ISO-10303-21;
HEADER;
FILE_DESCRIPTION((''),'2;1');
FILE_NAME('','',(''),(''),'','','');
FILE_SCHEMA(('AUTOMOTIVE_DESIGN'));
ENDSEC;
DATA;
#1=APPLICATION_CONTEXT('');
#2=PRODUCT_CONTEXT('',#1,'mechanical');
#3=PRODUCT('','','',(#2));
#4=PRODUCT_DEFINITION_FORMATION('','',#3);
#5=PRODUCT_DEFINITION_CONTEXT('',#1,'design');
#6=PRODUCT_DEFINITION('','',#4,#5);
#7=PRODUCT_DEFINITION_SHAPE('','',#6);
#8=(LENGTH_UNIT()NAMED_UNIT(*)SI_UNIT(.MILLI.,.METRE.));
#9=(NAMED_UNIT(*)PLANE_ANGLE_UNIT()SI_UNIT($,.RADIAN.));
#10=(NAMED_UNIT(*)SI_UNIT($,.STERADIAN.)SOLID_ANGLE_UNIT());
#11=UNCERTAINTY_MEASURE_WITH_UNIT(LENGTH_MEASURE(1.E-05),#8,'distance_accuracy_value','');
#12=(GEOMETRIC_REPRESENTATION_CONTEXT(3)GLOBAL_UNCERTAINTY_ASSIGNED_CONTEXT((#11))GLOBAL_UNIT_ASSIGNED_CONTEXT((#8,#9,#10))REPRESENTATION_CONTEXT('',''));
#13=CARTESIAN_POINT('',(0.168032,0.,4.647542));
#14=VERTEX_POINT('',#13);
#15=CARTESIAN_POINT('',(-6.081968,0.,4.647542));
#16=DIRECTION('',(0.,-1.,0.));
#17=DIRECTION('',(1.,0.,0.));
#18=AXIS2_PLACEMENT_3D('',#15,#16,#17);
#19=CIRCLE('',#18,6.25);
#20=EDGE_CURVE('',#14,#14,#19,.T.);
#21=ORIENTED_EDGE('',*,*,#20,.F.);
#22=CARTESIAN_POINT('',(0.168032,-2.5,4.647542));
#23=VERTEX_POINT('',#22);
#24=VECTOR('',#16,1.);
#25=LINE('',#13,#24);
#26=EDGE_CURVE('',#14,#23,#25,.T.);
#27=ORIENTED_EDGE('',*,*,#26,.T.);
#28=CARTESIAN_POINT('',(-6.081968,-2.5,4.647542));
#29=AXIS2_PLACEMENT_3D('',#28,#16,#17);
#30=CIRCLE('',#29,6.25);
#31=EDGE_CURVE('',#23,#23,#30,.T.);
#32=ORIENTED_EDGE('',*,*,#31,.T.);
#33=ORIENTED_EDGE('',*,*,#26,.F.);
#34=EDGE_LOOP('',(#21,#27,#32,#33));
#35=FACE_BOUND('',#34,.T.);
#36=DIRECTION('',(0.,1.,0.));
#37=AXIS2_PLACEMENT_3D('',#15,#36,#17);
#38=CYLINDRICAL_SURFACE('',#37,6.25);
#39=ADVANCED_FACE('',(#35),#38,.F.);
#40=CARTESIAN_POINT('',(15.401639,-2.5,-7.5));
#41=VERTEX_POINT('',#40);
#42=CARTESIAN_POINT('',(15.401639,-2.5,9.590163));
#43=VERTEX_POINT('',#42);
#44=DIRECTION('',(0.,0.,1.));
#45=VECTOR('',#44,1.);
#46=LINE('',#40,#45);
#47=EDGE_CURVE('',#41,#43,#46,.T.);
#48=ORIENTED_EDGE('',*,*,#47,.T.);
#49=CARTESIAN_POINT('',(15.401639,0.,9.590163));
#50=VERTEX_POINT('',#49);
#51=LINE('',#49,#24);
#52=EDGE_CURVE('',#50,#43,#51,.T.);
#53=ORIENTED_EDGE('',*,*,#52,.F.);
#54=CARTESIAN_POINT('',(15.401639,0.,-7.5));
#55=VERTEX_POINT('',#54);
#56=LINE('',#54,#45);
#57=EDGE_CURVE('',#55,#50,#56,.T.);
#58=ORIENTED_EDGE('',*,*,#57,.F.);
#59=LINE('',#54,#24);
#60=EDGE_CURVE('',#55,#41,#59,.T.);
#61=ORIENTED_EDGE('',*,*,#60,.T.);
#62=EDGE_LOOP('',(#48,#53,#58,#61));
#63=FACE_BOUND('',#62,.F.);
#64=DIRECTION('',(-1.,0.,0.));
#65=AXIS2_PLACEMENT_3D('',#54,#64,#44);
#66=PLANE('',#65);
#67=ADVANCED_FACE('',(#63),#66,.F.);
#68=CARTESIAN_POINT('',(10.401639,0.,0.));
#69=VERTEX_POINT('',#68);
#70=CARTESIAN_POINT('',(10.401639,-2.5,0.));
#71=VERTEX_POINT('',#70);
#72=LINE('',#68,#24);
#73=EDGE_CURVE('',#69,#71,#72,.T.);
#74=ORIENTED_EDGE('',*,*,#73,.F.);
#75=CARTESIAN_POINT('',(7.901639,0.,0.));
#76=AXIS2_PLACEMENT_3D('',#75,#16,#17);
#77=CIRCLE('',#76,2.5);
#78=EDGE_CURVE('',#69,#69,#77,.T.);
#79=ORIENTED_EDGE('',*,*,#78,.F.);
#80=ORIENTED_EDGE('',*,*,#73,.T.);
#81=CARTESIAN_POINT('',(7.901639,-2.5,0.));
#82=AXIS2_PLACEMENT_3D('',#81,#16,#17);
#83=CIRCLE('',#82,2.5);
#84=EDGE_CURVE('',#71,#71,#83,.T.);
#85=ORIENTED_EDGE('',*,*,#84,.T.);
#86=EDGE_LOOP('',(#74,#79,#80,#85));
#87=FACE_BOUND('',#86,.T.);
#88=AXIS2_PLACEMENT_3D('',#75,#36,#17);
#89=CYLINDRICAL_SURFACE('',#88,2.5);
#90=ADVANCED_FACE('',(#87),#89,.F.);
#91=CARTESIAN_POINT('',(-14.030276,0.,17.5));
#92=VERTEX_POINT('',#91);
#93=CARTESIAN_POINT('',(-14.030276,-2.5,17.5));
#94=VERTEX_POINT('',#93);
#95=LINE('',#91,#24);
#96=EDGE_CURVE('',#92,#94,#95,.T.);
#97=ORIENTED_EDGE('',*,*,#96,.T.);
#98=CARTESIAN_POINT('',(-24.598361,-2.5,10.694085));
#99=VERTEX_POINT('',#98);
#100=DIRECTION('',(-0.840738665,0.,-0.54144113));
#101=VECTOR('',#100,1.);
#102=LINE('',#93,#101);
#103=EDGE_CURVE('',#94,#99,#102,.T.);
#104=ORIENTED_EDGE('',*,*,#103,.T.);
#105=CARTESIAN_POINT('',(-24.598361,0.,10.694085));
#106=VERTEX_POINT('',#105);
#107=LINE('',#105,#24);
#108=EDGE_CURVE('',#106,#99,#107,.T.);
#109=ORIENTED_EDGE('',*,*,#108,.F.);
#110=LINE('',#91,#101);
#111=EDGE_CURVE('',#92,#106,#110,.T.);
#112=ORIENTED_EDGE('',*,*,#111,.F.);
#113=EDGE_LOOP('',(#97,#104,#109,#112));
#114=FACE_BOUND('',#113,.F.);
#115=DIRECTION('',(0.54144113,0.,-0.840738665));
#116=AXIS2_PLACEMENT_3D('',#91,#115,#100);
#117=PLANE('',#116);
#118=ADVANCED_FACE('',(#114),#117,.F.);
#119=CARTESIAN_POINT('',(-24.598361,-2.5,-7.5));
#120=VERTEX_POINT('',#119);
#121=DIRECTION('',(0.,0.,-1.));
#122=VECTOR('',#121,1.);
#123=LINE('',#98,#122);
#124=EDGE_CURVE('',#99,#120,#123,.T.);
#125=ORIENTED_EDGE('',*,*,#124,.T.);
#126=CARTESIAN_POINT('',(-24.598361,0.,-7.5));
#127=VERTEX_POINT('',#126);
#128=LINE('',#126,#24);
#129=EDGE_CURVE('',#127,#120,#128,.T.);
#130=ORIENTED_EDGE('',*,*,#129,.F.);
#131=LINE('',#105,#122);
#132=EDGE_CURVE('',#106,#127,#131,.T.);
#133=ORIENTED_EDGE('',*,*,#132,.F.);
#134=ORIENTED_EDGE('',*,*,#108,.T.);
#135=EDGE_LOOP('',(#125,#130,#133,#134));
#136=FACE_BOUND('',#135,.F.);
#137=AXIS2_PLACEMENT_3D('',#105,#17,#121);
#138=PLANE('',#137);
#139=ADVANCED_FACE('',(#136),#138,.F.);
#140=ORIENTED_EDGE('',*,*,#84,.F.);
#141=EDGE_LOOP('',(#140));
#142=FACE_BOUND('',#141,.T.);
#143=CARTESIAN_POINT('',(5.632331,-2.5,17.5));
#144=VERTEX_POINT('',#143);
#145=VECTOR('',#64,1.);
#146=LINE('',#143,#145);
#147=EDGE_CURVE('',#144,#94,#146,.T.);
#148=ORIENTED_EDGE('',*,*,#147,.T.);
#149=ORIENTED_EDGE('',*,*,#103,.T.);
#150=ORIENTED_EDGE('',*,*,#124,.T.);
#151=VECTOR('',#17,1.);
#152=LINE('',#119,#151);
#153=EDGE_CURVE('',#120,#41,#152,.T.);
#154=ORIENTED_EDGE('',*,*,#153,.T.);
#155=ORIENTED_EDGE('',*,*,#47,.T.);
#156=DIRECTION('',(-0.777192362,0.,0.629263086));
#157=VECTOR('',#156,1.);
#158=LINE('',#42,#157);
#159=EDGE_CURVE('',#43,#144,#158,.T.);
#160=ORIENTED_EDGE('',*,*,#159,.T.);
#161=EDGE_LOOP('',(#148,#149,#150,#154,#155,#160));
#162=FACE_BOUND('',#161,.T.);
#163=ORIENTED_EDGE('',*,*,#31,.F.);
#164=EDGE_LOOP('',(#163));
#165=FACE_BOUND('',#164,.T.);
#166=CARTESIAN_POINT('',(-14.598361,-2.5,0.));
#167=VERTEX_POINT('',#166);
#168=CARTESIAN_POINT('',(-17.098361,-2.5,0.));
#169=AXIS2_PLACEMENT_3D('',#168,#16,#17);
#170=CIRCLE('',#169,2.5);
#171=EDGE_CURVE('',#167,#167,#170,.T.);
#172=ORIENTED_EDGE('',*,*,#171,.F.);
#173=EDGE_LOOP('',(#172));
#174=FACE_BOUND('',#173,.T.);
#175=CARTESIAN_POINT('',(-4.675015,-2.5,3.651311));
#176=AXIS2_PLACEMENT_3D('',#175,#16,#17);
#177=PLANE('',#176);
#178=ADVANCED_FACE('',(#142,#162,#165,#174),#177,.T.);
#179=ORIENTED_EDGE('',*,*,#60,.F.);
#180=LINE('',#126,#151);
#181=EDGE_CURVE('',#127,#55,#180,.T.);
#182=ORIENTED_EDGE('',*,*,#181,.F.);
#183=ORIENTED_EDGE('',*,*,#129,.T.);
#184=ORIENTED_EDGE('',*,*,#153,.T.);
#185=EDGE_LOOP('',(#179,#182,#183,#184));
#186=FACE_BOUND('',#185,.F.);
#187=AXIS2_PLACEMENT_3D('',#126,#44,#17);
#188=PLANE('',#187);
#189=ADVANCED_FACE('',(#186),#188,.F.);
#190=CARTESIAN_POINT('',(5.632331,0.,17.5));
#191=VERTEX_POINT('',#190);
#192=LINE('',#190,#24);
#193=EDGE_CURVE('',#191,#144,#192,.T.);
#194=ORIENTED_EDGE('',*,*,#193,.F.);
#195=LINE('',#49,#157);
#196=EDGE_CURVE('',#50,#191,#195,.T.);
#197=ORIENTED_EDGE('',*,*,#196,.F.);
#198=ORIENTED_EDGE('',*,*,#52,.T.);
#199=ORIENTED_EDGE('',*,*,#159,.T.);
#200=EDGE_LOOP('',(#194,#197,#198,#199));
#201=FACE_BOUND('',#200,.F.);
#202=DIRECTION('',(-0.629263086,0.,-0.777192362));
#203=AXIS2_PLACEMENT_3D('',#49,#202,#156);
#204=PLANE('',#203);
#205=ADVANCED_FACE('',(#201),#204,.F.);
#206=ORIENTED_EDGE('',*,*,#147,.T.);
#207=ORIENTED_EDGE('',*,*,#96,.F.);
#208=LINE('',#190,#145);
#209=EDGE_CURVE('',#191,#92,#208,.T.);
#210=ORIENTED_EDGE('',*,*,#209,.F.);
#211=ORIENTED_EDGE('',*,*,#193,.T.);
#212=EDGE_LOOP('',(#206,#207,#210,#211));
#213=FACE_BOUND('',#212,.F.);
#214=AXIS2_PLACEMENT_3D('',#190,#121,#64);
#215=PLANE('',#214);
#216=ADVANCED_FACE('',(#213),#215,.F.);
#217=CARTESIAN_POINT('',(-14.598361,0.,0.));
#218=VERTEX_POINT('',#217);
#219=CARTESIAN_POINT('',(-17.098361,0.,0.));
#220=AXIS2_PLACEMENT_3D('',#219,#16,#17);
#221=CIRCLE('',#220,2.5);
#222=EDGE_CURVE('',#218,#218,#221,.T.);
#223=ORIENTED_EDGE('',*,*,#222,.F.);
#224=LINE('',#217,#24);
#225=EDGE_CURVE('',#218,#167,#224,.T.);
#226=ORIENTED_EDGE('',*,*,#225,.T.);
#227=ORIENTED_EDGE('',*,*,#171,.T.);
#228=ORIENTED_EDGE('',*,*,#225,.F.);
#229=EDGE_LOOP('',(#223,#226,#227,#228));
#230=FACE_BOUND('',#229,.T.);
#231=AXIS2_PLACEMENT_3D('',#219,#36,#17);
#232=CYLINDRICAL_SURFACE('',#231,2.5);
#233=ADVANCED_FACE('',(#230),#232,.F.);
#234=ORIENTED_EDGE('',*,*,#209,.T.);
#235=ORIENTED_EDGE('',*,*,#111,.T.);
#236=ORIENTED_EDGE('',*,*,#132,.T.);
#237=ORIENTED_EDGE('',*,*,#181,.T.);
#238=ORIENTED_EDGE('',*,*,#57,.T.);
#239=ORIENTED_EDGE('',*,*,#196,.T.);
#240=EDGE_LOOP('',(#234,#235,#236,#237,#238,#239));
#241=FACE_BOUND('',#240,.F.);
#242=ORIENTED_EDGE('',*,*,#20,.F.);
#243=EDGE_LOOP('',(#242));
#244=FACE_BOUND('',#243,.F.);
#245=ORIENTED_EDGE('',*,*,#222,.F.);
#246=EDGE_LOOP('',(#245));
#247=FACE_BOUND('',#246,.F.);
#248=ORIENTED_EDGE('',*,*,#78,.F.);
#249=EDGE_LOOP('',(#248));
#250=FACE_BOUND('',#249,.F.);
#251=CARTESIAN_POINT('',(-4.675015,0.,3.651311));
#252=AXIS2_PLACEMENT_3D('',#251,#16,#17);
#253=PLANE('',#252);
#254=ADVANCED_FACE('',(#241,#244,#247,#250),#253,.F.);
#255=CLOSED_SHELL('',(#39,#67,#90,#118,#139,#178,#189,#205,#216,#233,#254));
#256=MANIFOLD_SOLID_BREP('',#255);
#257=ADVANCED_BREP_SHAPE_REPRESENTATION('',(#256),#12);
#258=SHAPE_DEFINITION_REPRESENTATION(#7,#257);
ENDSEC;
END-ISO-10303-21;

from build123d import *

# Parameters (mm, degrees)
F0_R     = 2.5
F0_R_2   = 6.25
F1_DEPTH = 2.5


with BuildPart() as f1:
    # F0 (on Front) → F1 (new body)
    with BuildSketch(Plane.XZ):
        Polygon((-14.030276, 17.5), (-24.598361, 10.694085), (-24.598361, -7.5), (15.401639, -7.5), (15.401639, 9.590163), (5.632331, 17.5), align=None)
        with Locations((-17.098361, 0)):
            Circle(F0_R, mode=Mode.SUBTRACT)
        with Locations((-6.081968, 4.647542)):
            Circle(F0_R_2, mode=Mode.SUBTRACT)
        with Locations((7.901639, 0)):
            Circle(F0_R, mode=Mode.SUBTRACT)
    extrude(amount=F1_DEPTH)


solid = f1.part
